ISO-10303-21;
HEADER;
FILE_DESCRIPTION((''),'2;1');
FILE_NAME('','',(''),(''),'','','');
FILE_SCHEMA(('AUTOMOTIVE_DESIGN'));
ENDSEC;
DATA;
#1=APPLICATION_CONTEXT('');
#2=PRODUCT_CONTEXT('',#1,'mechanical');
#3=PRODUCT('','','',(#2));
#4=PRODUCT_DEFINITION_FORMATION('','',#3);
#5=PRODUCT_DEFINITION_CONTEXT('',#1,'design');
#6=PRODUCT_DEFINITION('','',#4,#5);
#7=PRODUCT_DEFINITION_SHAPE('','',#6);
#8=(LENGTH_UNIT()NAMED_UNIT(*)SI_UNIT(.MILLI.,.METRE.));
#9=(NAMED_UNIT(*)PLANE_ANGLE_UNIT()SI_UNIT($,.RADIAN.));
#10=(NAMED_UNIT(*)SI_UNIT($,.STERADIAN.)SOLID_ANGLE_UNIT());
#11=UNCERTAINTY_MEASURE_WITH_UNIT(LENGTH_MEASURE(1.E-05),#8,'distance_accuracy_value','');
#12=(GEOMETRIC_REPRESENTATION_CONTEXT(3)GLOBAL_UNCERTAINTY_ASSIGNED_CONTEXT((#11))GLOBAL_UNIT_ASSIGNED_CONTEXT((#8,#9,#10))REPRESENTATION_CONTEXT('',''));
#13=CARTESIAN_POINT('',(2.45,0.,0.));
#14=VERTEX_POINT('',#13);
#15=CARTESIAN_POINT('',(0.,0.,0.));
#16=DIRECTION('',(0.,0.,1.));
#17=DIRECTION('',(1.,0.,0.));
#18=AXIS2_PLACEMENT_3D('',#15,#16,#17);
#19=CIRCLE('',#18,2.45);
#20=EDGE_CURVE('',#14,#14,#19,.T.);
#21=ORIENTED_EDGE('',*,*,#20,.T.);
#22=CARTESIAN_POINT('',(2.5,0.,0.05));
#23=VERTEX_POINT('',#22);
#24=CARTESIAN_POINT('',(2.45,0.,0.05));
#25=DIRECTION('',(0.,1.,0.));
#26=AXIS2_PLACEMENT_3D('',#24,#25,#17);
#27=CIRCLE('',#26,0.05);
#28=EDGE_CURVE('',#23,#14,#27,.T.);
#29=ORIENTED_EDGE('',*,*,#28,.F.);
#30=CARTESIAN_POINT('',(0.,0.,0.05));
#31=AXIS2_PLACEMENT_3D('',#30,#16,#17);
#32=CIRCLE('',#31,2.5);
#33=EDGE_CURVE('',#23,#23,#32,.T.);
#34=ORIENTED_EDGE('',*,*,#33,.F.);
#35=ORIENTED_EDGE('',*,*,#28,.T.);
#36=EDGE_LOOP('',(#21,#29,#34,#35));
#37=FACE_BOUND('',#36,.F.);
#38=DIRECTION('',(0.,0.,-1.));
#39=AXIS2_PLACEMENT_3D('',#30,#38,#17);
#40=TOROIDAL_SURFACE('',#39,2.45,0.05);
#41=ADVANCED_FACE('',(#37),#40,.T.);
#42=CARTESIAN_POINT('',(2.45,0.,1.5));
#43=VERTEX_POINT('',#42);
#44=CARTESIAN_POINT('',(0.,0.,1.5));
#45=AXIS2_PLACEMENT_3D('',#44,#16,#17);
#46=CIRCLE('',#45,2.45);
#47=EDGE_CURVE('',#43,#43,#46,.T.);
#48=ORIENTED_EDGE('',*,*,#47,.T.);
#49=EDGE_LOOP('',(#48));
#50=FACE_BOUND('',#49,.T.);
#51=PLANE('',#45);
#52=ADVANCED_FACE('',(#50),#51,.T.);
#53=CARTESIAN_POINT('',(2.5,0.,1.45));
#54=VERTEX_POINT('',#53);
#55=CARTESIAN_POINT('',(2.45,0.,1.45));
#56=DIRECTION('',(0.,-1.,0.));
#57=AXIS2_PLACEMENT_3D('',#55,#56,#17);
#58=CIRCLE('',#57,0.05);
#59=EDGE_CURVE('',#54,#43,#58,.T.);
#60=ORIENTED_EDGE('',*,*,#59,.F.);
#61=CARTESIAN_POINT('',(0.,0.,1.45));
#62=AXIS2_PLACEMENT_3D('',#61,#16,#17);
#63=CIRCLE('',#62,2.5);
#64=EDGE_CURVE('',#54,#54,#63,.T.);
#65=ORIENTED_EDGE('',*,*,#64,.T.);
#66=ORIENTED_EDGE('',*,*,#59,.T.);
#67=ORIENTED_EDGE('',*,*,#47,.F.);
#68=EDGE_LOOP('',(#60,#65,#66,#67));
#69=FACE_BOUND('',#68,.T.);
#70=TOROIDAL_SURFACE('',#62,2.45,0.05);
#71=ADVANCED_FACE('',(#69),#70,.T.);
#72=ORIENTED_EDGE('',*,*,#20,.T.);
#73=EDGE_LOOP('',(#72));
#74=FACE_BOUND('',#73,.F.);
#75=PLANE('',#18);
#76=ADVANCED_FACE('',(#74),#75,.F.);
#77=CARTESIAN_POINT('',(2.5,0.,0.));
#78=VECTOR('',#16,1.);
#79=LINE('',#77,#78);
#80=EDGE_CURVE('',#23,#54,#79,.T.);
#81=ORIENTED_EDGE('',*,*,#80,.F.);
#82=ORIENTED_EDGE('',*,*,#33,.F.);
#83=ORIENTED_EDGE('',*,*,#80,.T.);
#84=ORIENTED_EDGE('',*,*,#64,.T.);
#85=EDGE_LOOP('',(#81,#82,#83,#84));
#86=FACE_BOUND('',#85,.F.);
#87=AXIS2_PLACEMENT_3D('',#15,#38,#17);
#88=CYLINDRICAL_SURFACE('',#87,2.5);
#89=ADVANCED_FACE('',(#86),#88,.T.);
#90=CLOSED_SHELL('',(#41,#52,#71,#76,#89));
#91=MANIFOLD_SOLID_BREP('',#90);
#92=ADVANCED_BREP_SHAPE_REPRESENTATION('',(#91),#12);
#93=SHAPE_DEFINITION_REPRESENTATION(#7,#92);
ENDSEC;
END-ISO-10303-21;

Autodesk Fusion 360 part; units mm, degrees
sketch "5 mm x 1.5 mm neodymium disc magnet" plane through (0, 0, 0) normal (0, 0, 1) x (1, 0, 0)
  circle A0 centre (0, 0) radius 2.5
  dimension "d1" = 5
extrude "Extrude1" add sketch "5 mm x 1.5 mm neodymium disc magnet" along normal blind 1.5
fillet "Fillet1" radius 0.05 2 edges at (-2.3308, -0.904, 1.5) (-2.3308, -0.904, 0)
